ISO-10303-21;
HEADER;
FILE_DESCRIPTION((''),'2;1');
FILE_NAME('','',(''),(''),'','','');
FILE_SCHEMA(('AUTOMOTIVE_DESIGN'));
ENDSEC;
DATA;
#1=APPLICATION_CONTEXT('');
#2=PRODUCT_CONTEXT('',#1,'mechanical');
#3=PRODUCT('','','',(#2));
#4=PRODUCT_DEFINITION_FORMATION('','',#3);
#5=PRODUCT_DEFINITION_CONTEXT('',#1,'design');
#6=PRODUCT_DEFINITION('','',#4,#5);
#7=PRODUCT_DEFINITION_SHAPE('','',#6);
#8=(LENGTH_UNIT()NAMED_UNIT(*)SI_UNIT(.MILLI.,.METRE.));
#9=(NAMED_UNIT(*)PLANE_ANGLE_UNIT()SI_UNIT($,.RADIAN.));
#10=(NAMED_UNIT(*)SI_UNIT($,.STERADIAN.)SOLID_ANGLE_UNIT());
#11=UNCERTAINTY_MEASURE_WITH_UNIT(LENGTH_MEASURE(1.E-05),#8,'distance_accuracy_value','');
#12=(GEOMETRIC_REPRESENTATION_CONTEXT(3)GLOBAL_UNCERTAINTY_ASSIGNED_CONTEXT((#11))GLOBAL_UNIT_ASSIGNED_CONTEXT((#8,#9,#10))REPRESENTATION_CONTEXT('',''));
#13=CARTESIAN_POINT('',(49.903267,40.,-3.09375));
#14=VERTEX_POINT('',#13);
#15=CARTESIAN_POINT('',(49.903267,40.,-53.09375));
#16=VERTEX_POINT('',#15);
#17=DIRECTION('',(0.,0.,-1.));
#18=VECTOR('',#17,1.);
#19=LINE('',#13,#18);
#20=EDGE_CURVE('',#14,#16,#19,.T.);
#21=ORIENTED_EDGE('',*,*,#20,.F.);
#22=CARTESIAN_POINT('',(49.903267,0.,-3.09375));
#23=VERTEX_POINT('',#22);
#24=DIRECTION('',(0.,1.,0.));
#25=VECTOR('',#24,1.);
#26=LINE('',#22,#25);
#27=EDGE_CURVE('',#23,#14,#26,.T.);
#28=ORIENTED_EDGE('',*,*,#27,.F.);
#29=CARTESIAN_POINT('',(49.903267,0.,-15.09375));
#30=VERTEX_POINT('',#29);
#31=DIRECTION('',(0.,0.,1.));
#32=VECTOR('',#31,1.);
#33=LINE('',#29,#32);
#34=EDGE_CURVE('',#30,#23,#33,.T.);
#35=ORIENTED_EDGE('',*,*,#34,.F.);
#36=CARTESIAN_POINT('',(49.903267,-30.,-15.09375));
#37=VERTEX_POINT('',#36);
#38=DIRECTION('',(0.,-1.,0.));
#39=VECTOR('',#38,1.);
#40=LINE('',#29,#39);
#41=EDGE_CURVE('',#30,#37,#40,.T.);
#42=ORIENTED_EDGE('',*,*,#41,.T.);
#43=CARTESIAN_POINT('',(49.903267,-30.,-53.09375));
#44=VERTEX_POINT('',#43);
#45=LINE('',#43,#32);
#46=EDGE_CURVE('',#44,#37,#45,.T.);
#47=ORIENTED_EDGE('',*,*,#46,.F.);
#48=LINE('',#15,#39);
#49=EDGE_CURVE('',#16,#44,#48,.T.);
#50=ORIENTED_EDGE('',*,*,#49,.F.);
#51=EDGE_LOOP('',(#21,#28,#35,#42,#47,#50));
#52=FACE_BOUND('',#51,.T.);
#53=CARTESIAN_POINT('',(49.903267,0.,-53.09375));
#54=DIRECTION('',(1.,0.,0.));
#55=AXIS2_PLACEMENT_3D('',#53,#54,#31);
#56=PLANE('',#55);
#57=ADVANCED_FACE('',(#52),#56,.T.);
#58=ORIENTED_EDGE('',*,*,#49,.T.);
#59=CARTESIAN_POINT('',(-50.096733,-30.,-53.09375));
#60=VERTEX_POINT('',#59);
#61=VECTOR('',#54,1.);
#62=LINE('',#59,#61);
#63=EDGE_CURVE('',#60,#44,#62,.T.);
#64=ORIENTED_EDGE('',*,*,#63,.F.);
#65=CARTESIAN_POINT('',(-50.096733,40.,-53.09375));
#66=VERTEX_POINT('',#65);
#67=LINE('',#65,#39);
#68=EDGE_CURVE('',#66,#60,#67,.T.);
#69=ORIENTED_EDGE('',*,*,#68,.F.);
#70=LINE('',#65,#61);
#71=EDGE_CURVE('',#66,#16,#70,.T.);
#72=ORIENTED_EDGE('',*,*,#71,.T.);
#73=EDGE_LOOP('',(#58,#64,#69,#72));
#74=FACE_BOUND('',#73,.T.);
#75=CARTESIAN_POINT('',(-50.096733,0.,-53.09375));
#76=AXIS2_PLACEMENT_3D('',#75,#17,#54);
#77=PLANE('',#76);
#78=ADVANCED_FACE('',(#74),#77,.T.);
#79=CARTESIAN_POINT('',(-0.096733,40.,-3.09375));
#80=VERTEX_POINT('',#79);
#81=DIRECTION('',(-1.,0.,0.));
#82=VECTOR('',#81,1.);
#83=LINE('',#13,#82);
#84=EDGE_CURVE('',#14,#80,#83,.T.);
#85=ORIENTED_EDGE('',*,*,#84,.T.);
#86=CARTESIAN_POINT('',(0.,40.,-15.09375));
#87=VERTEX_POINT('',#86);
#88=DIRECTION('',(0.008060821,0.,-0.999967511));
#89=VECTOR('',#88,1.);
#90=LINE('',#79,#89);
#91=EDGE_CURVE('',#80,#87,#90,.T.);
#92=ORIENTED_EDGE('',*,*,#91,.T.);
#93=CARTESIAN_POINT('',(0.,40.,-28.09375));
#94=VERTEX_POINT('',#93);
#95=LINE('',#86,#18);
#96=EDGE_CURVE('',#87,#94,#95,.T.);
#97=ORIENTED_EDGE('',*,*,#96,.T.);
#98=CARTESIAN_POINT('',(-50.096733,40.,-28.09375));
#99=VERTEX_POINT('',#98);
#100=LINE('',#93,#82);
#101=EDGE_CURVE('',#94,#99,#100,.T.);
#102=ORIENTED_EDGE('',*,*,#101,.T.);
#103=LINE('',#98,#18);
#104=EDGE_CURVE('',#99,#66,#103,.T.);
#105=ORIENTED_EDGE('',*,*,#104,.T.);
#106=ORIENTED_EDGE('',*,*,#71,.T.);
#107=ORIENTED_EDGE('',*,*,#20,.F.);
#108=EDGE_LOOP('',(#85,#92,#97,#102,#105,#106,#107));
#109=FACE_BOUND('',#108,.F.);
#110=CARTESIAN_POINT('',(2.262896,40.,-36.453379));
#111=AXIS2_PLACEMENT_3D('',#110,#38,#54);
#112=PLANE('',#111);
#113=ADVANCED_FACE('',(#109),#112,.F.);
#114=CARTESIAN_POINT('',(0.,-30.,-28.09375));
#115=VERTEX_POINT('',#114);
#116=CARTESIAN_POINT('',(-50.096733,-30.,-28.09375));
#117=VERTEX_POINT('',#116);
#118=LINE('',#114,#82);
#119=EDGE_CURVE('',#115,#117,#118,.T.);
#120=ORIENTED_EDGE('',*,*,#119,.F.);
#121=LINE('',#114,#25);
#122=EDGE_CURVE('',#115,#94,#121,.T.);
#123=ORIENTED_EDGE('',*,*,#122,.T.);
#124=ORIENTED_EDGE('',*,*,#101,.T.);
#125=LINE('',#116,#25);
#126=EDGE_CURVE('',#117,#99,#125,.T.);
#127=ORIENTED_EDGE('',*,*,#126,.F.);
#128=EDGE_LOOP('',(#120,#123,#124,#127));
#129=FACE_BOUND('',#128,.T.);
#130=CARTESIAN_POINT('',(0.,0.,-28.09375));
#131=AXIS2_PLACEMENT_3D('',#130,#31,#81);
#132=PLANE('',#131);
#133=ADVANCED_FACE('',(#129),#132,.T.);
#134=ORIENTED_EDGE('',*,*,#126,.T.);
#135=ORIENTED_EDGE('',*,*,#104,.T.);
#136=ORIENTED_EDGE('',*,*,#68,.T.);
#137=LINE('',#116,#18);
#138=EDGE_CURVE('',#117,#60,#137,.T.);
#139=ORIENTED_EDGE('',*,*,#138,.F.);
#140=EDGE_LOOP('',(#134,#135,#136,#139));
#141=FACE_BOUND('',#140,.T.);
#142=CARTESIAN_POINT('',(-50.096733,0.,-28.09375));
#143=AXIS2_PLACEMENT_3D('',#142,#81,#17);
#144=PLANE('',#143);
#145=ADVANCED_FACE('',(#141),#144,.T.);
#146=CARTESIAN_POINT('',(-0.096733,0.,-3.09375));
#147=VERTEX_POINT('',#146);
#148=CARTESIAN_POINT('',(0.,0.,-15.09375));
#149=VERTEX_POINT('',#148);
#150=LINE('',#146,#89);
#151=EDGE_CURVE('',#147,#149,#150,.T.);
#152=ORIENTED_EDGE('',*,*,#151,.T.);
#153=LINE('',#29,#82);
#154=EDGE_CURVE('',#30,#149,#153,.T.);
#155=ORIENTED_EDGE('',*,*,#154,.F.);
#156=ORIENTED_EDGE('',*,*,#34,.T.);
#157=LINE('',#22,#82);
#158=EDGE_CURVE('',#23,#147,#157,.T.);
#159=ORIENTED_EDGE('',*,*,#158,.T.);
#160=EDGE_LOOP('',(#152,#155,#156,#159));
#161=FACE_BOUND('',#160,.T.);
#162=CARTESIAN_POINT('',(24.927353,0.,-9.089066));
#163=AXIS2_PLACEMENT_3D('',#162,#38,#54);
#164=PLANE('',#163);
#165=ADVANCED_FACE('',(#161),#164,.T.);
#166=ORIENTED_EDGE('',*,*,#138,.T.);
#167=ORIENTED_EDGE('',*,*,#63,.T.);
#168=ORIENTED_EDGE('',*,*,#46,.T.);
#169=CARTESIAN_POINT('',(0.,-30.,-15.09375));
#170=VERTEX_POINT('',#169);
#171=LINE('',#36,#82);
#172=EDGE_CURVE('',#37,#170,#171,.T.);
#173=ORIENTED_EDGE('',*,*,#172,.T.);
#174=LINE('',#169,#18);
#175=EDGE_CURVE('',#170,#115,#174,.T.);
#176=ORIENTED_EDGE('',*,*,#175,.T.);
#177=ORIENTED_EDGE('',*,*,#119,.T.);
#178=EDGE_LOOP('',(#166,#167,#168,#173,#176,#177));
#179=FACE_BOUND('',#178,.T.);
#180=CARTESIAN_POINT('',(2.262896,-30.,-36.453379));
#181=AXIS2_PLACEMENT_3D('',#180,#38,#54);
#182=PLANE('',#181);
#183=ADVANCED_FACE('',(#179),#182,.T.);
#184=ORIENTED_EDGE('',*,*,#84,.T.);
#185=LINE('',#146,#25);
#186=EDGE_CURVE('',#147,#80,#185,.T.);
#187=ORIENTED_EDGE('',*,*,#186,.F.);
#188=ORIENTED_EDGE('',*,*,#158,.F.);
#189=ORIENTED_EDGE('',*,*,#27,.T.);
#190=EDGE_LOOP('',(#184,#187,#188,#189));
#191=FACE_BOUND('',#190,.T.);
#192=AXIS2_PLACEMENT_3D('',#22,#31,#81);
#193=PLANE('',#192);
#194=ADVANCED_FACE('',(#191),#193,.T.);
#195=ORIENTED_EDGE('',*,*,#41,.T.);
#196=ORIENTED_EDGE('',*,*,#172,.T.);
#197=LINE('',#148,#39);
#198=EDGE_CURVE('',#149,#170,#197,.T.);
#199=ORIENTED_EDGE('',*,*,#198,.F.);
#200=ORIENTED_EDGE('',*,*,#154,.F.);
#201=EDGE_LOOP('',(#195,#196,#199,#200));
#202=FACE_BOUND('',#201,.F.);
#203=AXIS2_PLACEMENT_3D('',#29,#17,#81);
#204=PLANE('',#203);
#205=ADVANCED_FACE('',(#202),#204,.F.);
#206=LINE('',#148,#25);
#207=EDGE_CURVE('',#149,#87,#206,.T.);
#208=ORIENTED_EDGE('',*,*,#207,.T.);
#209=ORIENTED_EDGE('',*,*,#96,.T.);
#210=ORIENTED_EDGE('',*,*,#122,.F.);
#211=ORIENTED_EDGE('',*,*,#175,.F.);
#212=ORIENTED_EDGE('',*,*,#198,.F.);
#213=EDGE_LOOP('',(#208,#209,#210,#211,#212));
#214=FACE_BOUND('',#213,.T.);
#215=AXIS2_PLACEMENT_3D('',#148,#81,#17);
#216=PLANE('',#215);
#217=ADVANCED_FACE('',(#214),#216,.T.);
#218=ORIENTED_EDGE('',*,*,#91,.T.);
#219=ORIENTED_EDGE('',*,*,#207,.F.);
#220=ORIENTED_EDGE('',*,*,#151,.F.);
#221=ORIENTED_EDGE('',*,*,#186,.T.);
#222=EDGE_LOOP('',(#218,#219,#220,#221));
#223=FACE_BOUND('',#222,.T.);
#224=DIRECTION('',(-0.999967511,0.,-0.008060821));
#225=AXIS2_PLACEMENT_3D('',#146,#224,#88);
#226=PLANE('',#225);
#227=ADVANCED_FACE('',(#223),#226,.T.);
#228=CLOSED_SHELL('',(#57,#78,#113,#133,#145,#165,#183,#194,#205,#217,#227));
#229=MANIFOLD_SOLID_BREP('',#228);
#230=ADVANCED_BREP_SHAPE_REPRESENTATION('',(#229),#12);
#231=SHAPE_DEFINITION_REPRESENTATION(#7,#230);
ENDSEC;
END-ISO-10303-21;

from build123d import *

# Parameters (mm, degrees)
F1_DEPTH = 30
F2_DEPTH = 40
F3_DEPTH = 40


with BuildPart() as f1:
    # F0 (on Front) → F1 (new body)
    with BuildSketch(Plane.XZ):
        Polygon((-50.096733, -28.09375), (-50.096733, -53.09375), (49.903267, -53.09375), (49.903267, -15.09375), (0, -15.09375), (0, -28.09375), align=None)
    extrude(amount=F1_DEPTH)

    # F0 (on Front) → F2 (join)
    with BuildSketch(Plane.XZ):
        Polygon((0, -15.09375), (49.903267, -15.09375), (49.903267, -3.09375), (-0.096733, -3.09375), align=None)
    extrude(amount=-F2_DEPTH)

    # F0 (on Front) → F3 (join)
    with BuildSketch(Plane.XZ):
        Polygon((-50.096733, -28.09375), (-50.096733, -53.09375), (49.903267, -53.09375), (49.903267, -15.09375), (0, -15.09375), (0, -28.09375), align=None)
    extrude(amount=-F3_DEPTH)


solid = f1.part
